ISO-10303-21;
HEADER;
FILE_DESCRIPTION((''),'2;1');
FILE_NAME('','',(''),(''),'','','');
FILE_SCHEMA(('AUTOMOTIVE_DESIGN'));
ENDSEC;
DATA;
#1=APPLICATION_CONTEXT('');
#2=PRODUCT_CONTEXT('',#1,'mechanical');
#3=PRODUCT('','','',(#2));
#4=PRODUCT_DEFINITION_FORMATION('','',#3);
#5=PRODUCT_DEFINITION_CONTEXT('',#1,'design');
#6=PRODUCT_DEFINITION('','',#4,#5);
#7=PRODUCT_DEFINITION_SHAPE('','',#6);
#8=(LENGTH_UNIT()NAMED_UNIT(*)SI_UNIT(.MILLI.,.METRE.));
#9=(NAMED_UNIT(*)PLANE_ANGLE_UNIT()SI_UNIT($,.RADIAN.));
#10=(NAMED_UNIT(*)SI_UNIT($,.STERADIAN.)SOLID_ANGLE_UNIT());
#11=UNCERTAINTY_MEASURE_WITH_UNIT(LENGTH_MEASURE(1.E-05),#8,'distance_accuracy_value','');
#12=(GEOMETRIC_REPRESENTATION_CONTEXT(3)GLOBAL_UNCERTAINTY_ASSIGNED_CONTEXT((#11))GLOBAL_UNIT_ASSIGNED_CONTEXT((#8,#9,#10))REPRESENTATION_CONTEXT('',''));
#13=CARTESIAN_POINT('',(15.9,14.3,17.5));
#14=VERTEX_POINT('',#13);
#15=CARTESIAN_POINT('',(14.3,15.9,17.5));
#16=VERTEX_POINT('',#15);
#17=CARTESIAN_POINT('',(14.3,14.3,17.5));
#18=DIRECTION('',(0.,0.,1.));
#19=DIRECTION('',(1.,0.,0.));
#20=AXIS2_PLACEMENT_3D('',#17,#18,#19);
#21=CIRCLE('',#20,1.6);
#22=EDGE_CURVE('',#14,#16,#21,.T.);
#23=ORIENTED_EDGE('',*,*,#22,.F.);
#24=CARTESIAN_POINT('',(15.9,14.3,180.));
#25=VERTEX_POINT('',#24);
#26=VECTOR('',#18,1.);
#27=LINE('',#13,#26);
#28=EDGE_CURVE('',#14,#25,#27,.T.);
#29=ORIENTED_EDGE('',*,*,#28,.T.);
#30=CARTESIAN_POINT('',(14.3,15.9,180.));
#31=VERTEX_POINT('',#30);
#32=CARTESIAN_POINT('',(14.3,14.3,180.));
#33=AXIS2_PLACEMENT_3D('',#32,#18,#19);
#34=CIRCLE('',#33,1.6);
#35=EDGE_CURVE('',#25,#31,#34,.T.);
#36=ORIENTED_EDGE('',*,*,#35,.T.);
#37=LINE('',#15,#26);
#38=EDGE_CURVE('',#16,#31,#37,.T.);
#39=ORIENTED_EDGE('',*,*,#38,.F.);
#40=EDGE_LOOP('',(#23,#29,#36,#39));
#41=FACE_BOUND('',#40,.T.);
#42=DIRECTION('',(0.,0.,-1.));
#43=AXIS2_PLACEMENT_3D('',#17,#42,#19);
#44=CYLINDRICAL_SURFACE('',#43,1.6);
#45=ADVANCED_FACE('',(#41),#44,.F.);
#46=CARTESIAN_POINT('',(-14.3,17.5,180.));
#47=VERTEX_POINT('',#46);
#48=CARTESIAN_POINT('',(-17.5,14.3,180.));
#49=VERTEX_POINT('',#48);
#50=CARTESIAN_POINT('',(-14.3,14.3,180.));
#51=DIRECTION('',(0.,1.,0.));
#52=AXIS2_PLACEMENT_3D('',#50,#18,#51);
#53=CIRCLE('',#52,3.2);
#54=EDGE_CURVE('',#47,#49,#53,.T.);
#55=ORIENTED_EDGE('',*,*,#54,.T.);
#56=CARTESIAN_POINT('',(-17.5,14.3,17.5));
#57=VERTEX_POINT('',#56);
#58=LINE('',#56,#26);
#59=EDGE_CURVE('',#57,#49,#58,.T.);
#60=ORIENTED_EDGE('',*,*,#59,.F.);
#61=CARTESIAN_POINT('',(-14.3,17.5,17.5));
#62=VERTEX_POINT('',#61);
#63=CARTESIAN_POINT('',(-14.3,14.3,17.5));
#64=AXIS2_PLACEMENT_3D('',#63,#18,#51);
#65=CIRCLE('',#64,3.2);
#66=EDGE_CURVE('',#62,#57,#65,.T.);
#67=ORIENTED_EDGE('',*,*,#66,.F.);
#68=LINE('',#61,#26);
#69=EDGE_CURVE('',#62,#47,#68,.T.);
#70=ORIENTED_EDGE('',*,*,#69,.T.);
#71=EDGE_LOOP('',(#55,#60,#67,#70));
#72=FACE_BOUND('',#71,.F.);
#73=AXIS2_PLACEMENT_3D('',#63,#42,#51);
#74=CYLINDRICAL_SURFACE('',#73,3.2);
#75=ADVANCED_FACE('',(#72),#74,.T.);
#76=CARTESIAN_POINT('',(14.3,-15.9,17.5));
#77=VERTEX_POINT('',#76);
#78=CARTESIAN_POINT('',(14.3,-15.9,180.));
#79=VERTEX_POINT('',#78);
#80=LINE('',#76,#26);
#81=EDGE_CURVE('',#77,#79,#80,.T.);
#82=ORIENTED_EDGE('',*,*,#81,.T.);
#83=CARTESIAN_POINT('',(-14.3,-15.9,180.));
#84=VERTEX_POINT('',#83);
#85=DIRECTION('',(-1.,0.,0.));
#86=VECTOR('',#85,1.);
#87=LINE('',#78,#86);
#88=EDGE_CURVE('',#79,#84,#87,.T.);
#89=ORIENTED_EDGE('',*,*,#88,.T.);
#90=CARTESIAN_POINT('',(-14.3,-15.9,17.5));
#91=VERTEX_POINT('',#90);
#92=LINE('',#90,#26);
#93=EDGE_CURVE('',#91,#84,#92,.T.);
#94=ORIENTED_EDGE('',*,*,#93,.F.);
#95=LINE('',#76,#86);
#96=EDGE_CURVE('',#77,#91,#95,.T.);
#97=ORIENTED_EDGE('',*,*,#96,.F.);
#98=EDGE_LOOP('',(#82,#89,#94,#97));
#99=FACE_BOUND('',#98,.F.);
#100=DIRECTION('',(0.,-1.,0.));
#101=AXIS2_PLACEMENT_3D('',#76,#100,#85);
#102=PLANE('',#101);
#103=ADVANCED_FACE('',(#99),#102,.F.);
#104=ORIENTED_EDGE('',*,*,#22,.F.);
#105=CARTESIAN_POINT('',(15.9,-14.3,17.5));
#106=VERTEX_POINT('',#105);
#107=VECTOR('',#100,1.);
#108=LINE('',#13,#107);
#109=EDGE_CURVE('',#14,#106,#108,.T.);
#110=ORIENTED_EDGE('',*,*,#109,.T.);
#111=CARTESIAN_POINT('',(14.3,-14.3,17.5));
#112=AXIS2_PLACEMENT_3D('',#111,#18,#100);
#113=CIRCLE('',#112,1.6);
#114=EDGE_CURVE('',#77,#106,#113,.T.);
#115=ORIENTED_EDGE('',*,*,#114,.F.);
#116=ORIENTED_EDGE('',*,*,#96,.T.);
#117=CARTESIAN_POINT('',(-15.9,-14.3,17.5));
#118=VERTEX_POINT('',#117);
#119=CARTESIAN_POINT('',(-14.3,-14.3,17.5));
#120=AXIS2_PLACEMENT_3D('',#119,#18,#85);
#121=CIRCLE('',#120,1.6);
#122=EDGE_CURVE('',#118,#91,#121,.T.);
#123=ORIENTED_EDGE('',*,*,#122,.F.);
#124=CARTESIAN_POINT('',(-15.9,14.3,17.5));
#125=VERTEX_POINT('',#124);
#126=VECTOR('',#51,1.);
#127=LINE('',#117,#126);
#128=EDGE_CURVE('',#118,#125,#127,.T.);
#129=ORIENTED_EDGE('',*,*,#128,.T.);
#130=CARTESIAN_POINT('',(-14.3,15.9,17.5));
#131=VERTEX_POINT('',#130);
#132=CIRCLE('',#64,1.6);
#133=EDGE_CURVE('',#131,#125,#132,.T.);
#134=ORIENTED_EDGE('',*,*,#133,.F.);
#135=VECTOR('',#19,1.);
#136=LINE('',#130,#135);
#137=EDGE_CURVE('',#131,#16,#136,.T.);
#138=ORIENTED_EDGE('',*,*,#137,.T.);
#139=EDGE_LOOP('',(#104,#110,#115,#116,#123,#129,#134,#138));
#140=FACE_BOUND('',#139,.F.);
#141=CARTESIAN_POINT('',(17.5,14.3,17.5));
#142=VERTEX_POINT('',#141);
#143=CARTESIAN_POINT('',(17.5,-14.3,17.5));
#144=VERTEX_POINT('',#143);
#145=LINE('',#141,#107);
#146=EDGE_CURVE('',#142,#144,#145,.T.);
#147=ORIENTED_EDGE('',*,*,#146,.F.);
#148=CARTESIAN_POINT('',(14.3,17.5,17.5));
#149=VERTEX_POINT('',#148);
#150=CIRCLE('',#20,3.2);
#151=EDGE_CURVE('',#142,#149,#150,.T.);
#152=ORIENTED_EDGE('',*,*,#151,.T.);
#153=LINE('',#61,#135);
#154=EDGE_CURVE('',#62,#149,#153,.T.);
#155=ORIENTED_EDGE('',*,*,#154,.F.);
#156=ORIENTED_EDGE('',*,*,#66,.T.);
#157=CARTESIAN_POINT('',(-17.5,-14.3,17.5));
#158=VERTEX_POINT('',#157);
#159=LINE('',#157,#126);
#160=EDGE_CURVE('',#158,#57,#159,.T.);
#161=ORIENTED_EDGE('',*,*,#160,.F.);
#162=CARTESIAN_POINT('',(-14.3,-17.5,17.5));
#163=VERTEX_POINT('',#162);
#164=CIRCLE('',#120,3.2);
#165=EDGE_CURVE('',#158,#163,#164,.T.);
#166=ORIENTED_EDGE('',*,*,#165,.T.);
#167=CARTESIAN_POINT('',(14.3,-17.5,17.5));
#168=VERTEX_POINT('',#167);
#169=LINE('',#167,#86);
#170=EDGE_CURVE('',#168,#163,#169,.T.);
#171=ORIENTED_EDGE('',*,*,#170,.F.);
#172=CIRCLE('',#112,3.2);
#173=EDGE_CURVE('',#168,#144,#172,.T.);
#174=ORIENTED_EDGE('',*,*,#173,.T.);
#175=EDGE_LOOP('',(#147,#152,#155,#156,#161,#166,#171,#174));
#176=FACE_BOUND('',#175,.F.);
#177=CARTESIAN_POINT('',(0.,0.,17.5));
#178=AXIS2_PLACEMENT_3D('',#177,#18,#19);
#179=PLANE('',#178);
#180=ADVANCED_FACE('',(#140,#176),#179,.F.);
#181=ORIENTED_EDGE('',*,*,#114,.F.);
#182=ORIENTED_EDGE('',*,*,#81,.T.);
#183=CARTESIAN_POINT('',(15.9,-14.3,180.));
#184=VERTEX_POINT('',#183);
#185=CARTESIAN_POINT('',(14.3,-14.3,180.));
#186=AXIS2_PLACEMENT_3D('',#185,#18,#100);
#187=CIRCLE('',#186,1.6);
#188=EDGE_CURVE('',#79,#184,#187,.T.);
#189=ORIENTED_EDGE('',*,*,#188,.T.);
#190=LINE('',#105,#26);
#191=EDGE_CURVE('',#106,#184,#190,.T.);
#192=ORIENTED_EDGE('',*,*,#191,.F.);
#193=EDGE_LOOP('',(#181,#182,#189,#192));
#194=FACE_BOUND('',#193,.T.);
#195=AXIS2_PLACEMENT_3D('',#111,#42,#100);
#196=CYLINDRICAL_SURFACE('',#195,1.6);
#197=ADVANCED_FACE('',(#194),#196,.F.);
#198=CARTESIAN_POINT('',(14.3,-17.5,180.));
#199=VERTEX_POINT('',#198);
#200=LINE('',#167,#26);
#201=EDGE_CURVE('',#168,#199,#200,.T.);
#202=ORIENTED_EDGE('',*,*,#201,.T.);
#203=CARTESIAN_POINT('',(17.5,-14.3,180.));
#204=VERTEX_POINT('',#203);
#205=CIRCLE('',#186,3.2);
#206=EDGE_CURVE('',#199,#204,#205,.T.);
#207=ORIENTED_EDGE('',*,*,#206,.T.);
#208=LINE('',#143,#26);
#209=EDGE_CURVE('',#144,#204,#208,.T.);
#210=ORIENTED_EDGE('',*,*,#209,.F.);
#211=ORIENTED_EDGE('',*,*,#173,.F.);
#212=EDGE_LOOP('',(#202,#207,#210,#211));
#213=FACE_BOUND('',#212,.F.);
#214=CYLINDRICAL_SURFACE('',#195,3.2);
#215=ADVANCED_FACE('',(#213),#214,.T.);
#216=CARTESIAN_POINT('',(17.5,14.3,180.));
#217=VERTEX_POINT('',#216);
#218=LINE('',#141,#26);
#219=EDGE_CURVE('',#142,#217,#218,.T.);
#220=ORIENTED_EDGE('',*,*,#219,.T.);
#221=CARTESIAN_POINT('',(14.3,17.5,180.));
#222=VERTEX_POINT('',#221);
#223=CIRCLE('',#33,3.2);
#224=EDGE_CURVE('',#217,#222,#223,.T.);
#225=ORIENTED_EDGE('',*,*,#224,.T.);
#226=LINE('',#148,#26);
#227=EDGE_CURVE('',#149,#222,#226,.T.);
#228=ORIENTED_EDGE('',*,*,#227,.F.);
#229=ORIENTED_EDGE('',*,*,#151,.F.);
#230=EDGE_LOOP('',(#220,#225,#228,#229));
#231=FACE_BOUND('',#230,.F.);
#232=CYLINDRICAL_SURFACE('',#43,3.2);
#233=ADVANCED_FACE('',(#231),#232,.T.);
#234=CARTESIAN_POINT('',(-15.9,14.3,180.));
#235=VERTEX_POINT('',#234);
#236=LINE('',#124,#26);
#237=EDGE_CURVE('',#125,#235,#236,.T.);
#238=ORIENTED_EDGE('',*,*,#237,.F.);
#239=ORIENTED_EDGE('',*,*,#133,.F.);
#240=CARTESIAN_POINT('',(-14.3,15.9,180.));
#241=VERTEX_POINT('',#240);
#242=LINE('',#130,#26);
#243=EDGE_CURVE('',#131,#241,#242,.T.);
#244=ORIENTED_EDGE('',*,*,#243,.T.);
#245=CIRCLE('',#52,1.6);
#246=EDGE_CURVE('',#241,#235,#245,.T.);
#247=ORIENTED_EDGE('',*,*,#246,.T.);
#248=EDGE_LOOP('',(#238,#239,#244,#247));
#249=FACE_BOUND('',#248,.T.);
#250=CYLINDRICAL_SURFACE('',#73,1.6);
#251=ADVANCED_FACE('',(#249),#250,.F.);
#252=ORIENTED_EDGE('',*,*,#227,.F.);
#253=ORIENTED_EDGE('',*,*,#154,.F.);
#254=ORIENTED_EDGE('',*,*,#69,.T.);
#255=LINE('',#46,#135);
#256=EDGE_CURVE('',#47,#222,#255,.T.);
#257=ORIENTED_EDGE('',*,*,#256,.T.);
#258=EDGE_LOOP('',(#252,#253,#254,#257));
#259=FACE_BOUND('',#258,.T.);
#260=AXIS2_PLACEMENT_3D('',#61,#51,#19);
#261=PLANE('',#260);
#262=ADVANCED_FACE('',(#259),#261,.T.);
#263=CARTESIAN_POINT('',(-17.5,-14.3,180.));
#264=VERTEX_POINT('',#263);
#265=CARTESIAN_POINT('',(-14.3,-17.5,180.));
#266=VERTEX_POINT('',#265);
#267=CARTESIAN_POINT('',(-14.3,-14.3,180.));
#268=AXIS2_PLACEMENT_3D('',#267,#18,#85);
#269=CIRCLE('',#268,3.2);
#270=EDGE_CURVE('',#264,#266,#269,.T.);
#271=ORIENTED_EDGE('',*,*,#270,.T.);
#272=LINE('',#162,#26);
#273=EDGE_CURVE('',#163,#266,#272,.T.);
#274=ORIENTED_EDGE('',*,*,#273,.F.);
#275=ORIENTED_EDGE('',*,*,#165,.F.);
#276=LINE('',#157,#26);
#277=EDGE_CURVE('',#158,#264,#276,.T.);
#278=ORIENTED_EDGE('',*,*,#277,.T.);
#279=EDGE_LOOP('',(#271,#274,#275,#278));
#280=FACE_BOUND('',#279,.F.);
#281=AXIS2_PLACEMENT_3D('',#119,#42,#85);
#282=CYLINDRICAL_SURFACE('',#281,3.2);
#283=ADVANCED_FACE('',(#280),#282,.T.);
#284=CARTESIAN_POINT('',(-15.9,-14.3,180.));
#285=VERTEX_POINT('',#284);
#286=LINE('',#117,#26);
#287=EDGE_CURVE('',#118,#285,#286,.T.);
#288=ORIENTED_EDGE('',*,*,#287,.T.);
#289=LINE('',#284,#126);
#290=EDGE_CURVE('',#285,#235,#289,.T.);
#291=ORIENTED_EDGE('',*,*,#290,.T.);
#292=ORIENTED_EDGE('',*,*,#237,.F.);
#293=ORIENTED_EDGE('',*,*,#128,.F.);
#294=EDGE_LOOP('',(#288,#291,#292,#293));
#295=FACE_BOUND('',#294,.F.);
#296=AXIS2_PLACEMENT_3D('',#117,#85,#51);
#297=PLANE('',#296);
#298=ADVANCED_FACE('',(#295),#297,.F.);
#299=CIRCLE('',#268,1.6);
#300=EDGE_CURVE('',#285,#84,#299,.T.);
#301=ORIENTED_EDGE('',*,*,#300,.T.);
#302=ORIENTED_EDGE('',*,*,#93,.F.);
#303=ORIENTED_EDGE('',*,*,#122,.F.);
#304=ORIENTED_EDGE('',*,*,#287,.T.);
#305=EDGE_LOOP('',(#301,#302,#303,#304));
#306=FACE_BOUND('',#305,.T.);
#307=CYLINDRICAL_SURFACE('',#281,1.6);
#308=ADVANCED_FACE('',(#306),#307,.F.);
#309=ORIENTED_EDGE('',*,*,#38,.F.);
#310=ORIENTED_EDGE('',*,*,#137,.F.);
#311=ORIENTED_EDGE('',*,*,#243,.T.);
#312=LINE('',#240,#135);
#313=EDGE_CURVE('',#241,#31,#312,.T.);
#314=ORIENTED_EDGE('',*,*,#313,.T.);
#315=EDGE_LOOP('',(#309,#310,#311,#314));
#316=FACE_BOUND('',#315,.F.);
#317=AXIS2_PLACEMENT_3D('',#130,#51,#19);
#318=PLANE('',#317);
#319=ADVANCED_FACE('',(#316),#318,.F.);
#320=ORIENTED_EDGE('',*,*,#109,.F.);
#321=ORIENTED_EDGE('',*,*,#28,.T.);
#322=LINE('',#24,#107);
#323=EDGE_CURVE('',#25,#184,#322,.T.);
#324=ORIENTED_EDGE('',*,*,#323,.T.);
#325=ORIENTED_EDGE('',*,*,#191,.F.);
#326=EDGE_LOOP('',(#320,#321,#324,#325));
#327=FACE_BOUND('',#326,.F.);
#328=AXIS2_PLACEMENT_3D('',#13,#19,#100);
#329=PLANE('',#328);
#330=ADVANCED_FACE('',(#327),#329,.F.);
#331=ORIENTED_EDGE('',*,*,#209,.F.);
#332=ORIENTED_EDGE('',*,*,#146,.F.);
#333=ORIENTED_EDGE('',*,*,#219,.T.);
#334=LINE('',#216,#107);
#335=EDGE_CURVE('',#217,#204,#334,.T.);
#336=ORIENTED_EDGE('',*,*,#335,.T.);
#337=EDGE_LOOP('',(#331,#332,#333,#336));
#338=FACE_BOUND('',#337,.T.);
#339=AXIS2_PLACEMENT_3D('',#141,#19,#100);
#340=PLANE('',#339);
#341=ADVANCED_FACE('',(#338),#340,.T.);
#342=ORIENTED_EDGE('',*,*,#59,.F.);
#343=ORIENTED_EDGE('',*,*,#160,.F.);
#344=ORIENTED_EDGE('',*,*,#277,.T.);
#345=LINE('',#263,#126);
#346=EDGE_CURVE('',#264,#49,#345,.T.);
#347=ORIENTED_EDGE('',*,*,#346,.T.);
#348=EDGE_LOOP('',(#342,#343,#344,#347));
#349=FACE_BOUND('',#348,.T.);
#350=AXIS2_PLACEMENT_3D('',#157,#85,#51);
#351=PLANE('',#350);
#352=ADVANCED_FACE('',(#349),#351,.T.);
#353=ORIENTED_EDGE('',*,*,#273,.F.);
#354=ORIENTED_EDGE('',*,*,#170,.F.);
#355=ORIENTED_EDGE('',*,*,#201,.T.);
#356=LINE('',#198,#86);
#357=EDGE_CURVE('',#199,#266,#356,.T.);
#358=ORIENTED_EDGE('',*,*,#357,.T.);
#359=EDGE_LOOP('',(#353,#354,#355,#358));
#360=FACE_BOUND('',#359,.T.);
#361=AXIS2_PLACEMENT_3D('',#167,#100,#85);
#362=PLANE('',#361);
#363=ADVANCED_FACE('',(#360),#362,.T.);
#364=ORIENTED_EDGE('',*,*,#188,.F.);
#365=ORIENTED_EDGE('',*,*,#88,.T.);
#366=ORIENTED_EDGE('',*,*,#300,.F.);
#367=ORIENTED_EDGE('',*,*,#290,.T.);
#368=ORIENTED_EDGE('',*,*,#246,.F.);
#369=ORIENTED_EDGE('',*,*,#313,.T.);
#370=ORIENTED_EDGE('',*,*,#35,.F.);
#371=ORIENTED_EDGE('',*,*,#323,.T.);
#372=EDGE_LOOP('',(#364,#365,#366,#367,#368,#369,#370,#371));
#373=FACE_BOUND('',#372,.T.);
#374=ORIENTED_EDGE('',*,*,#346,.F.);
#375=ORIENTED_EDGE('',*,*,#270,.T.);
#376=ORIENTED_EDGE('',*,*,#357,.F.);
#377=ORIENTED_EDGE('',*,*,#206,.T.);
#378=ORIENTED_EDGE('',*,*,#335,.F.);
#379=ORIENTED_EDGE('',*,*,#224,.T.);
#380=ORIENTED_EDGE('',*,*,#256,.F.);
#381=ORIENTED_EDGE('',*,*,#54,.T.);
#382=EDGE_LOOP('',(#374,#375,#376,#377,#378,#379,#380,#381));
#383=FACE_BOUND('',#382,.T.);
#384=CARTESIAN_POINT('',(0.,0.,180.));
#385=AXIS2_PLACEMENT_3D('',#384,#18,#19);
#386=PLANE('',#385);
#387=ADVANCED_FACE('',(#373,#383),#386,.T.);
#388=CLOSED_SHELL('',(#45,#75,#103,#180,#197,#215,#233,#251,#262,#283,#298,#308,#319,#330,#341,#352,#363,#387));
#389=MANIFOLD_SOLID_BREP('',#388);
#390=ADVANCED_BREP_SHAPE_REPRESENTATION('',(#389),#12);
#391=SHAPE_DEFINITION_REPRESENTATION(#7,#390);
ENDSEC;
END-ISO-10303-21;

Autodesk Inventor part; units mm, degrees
ref_plane "Start plane" through (0, 0, 17.5) normal (0, 0, 1) x (1, 0, 0)
ref_plane "End plane" through (0, 0, 180) normal (0, 0, 1) x (1, 0, 0)
sketch "Sketch" plane through (0, 0, 0) normal (0, 0, 1) x (1, 0, 0)
  line L0 (-17.5, -14.3) -> (-17.5, 14.3)
  line L1 (-14.3, 17.5) -> (14.3, 17.5)
  line L2 (17.5, 14.3) -> (17.5, -14.3)
  line L3 (14.3, -17.5) -> (-14.3, -17.5)
  arc A0 (-17.5, -14.3) -> (-14.3, -17.5) centre (-14.3, -14.3) ccw
  arc A1 (-14.3, 17.5) -> (-17.5, 14.3) centre (-14.3, 14.3) ccw
  arc A2 (17.5, 14.3) -> (14.3, 17.5) centre (14.3, 14.3) ccw
  arc A3 (14.3, -17.5) -> (17.5, -14.3) centre (14.3, -14.3) ccw
  arc A4 (-14.3, 15.9) -> (-15.9, 14.3) centre (-14.3, 14.3) ccw
  line L4 (-14.3, 15.9) -> (14.3, 15.9)
  arc A5 (15.9, 14.3) -> (14.3, 15.9) centre (14.3, 14.3) ccw
  line L5 (15.9, 14.3) -> (15.9, -14.3)
  arc A6 (14.3, -15.9) -> (15.9, -14.3) centre (14.3, -14.3) ccw
  line L6 (14.3, -15.9) -> (-14.3, -15.9)
  arc A7 (-15.9, -14.3) -> (-14.3, -15.9) centre (-14.3, -14.3) ccw
  line L7 (-15.9, -14.3) -> (-15.9, 14.3)
  line L8 (0, 25.4278) -> (0, -25.4278) construction
  line L9 (-25.4278, 0) -> (25.4278, 0) construction
  dimension "d7" = 3.2
  dimension "d10" = 35
  dimension "d11" = 35
  dimension "d12" = 1.6
  dimension "d15" = 17.5
  dimension "d16" = 17.5
extrude "Body" add sketch "Sketch" along normal up to surface (162.5 mm away) from surface at 17.5
sketch "Sketch3" plane through (0, 0, 0) normal (0, 0, 1) x (1, 0, 0)
  line L0 (0, 0) -> (10, 0)
ref_plane "Work Plane3" through (0, 0, 0) normal (0, -1, 0) x (1, 0, 0)
sketch "Sketch4" plane through (0, 0, 0) normal (0, -1, 0) x (1, 0, 0)
  line L0 (-2, 17.5) -> (12, 17.5)
  line L1 (-2, 180) -> (12, 180)
  dimension "d18" = 162.5
ref_plane "Work Plane4" through (0, 0, 17.5) normal (0, 0, -1) x (-1, 0, 0)
split "Split1" plane through (0, 0, 17.5) removes the side toward (0, 0, -1)
equation "\"d7\" = G_IR"
equation "\"d10\" = G_H"
equation "\"d11\" = G_W"
equation "\"d12\" = G_T"
equation "\"d15\" = 0.5 * d10"
equation "\"d16\" = 0.5 * d11"
equation "\"d3\" = G_L"
equation "\"G_W\" = 35"
equation "\"G_H\" = 35"
equation "\"G_T\" = 1.6"
equation "\"G_IR\" = 3.2"
equation "\"G_L\" = d18"
equation "\"G_OFFSET_START\" = -17.5"
equation "\"G_OFFSET_END\" = 0"
equation "\"d13\" = -G_OFFSET_START"
properties part number "AS C350L0 35x35x3.0 SHS 00000054" material "Steel, Mild"
